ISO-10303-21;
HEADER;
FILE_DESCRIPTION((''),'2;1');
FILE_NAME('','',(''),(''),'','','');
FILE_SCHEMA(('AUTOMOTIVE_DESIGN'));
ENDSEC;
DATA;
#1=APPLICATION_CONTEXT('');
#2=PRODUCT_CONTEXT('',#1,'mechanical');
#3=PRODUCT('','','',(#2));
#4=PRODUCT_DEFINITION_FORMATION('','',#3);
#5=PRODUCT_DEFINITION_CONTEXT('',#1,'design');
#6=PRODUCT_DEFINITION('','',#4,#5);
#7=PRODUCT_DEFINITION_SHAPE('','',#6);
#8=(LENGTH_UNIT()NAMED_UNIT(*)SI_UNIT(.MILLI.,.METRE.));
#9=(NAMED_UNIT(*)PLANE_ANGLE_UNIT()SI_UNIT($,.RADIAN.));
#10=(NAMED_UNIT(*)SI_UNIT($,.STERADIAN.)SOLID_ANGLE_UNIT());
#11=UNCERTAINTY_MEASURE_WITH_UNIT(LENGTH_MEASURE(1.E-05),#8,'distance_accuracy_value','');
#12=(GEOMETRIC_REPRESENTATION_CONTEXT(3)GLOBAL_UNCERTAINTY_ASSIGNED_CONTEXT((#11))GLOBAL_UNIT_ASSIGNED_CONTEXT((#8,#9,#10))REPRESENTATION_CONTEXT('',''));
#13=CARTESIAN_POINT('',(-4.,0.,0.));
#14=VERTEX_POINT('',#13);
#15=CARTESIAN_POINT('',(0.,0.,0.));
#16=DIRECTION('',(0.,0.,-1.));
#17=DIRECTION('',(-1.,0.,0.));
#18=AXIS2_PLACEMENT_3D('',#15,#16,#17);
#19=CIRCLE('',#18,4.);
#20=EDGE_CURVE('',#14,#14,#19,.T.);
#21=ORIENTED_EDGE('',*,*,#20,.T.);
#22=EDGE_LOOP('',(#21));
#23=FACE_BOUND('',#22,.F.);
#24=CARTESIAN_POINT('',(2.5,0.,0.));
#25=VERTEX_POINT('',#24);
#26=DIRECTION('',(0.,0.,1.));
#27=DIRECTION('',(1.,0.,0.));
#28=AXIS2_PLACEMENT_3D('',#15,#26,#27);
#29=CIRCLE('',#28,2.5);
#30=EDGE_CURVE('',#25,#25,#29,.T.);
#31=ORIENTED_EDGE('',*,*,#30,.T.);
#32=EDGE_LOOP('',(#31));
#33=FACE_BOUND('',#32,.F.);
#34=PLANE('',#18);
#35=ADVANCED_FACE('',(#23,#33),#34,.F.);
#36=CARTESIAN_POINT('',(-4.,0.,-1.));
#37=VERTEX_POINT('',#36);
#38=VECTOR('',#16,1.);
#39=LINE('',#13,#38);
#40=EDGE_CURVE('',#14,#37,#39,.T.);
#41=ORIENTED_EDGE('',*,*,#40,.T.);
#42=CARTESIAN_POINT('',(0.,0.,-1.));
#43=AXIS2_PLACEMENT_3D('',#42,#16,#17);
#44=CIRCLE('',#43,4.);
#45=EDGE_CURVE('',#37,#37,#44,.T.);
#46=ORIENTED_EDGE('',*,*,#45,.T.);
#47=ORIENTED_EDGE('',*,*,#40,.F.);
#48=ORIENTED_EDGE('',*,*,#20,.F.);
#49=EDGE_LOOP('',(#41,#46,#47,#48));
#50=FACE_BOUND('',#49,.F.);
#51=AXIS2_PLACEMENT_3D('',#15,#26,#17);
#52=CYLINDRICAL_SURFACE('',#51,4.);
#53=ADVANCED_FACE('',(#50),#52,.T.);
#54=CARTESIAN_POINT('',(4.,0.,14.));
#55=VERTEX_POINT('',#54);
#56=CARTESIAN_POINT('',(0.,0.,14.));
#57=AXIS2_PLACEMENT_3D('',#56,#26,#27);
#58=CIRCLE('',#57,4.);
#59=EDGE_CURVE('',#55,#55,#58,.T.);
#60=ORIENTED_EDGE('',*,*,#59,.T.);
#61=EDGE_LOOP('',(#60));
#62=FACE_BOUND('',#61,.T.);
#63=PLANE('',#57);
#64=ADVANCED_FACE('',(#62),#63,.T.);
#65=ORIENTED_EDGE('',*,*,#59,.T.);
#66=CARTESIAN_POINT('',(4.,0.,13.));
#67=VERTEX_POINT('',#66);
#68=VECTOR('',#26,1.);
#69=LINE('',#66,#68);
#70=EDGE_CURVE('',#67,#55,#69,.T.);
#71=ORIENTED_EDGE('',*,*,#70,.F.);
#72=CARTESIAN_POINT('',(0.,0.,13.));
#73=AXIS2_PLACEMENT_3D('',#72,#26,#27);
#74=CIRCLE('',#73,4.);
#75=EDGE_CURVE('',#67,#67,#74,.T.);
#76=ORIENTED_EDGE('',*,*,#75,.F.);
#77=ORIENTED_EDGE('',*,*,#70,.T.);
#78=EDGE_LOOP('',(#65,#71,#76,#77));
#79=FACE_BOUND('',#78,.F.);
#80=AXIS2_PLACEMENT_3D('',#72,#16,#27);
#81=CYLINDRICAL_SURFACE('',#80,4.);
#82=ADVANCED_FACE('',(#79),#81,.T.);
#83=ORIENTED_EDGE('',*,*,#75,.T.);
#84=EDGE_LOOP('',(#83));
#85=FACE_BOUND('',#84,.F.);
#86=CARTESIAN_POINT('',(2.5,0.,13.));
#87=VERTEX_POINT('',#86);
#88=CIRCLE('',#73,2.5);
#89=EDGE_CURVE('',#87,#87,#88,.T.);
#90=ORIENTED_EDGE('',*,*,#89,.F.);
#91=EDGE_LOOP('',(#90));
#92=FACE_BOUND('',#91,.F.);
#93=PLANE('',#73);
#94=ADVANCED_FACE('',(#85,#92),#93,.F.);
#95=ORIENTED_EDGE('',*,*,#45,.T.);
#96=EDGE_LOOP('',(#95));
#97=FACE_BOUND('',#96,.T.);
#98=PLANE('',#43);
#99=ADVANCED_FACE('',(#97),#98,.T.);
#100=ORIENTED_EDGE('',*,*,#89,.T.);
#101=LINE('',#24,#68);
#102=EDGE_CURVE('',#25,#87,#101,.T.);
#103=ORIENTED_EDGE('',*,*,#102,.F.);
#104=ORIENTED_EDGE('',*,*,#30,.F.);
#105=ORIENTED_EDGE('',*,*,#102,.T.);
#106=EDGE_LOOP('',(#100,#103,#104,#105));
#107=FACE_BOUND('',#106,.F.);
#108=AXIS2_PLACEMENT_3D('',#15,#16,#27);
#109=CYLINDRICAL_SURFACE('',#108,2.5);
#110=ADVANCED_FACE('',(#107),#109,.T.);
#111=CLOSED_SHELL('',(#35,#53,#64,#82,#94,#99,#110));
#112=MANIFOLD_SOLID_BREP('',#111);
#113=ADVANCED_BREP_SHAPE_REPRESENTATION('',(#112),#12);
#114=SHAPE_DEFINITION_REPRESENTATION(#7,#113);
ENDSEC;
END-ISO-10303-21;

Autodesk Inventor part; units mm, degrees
ref_plane "YZ Plane" through (0, 0, 0) normal (1, 0, 0) x (0, 1, 0)
ref_plane "XZ Plane" through (0, 0, 0) normal (0, 1, 0) x (-1, 0, 0)
ref_plane "XY Plane" through (0, 0, 0) normal (0, 0, 1) x (1, 0, 0)
sketch "Boceto1" plane through (0, 0, 0) normal (0, 0, 1) x (1, 0, 0)
  circle A0 centre (0, 0) radius 2.5
  dimension "d0" = 5
extrude "Extrusión1" add sketch "Boceto1" along normal blind 13
sketch "Boceto2" plane through (0, 0, 13) normal (0, 0, 1) x (1, 0, 0)
  circle A0 centre (0, 0) radius 4
  dimension "d3" = 8
extrude "Extrusión2" add sketch "Boceto2" along normal blind 1
sketch "Boceto3" plane through (0, 0, 0) normal (0, 0, -1) x (-1, 0, 0)
  circle A0 centre (0, 0) radius 4
  dimension "d6" = 8
extrude "Extrusión3" add sketch "Boceto3" along normal blind 1
properties part number "Pincerrado"
